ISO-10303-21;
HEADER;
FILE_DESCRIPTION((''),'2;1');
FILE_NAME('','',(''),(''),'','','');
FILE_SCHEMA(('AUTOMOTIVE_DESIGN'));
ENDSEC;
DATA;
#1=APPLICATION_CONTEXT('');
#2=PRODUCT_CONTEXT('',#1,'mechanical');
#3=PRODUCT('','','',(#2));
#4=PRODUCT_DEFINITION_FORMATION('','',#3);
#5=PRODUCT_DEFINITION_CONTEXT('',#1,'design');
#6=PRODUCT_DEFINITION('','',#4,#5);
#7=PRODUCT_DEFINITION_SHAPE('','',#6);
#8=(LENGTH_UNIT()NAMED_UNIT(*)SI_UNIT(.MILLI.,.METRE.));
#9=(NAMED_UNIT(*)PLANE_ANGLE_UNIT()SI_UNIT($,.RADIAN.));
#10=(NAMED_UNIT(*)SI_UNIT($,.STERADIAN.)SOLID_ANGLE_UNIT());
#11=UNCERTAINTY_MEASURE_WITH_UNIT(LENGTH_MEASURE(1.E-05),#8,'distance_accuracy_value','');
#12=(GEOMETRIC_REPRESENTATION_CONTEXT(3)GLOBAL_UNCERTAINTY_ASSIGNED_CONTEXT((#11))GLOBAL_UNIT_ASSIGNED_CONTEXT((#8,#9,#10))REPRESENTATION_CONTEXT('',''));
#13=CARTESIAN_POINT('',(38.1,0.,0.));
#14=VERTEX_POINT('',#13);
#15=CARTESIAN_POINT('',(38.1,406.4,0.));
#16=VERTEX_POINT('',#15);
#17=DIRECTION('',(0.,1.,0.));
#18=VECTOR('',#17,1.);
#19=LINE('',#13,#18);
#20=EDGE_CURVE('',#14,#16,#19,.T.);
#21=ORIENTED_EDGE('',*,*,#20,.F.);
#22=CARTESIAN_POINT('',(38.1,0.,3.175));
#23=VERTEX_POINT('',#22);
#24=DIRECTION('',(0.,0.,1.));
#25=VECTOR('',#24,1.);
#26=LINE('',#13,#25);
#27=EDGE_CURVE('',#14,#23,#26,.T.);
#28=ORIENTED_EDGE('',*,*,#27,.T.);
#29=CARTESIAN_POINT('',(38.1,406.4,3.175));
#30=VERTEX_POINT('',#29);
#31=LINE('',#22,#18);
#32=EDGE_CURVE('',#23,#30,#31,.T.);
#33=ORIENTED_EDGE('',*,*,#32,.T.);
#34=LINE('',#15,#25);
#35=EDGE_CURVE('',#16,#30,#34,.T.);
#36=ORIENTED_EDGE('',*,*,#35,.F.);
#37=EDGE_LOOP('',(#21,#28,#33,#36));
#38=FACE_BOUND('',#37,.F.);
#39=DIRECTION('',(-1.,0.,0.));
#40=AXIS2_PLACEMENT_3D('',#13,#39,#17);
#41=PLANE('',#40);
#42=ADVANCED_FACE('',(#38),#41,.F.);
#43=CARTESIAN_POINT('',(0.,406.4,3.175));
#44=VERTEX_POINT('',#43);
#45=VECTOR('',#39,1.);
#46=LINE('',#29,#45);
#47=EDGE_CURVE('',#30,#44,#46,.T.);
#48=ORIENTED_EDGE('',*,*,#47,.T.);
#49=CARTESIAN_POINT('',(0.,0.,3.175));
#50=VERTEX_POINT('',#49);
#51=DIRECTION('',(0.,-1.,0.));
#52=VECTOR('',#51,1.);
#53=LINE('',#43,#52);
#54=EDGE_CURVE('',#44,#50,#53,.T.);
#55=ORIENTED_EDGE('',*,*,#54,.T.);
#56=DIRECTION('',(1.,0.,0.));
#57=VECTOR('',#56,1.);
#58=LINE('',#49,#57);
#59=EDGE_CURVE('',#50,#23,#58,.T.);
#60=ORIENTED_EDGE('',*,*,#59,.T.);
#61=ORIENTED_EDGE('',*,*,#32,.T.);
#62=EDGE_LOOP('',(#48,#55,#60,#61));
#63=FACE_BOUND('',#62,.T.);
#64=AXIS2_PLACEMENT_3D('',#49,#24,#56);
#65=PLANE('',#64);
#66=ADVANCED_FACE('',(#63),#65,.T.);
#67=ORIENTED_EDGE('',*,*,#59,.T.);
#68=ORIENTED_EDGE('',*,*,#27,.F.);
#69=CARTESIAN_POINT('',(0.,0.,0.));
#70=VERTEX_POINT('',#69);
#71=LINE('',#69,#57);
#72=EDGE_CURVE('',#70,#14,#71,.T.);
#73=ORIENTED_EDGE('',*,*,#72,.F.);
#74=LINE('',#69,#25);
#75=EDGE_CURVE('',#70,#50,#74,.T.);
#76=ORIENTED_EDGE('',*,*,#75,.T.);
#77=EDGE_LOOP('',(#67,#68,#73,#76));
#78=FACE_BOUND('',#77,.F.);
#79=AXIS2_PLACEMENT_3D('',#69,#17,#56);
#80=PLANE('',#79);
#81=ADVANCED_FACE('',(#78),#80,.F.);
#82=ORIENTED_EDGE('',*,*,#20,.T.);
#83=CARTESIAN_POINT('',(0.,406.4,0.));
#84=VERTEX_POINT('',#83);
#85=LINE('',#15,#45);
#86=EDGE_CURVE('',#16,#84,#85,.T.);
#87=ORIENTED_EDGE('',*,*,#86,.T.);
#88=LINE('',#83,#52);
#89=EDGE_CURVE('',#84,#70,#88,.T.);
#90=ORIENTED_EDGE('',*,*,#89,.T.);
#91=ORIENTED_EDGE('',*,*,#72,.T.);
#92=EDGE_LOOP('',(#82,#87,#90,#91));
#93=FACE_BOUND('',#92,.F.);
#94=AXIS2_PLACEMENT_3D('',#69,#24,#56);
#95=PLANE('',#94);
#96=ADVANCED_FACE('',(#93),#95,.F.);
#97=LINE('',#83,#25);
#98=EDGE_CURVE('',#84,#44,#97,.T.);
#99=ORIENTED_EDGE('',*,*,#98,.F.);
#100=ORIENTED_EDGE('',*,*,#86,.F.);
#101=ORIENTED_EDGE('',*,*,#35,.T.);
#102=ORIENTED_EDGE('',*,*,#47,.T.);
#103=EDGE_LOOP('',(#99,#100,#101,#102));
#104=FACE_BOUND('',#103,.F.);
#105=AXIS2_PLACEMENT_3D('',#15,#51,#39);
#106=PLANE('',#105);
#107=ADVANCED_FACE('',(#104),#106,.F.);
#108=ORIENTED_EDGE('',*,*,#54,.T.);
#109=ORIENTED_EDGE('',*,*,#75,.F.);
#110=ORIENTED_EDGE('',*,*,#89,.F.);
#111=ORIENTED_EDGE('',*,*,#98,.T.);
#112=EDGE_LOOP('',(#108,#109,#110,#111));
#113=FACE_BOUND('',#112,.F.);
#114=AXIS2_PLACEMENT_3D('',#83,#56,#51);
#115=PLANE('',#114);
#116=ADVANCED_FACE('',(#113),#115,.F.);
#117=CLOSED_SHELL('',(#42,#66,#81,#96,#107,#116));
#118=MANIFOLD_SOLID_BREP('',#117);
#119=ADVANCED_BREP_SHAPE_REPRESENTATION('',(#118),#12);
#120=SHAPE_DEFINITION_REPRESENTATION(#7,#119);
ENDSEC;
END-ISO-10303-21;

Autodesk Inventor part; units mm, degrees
ref_plane "YZ Plane" through (0, 0, 0) normal (1, 0, 0) x (0, 1, 0)
ref_plane "XZ Plane" through (0, 0, 0) normal (0, 1, 0) x (-1, 0, 0)
ref_plane "XY Plane" through (0, 0, 0) normal (0, 0, 1) x (1, 0, 0)
sketch "Sketch1" plane through (0, 0, 0) normal (0, 0, 1) x (1, 0, 0)
  line L0 (0, 0) -> (38.1, 0)
  line L1 (38.1, 0) -> (38.1, 406.4)
  line L2 (38.1, 406.4) -> (0, 406.4)
  line L3 (0, 406.4) -> (0, 0)
  dimension "d0" = 38.1
  dimension "d1" = 406.4
extrude "Extrusion1" add sketch "Sketch1" along normal blind 3.175
properties part number "Bottom bar"
